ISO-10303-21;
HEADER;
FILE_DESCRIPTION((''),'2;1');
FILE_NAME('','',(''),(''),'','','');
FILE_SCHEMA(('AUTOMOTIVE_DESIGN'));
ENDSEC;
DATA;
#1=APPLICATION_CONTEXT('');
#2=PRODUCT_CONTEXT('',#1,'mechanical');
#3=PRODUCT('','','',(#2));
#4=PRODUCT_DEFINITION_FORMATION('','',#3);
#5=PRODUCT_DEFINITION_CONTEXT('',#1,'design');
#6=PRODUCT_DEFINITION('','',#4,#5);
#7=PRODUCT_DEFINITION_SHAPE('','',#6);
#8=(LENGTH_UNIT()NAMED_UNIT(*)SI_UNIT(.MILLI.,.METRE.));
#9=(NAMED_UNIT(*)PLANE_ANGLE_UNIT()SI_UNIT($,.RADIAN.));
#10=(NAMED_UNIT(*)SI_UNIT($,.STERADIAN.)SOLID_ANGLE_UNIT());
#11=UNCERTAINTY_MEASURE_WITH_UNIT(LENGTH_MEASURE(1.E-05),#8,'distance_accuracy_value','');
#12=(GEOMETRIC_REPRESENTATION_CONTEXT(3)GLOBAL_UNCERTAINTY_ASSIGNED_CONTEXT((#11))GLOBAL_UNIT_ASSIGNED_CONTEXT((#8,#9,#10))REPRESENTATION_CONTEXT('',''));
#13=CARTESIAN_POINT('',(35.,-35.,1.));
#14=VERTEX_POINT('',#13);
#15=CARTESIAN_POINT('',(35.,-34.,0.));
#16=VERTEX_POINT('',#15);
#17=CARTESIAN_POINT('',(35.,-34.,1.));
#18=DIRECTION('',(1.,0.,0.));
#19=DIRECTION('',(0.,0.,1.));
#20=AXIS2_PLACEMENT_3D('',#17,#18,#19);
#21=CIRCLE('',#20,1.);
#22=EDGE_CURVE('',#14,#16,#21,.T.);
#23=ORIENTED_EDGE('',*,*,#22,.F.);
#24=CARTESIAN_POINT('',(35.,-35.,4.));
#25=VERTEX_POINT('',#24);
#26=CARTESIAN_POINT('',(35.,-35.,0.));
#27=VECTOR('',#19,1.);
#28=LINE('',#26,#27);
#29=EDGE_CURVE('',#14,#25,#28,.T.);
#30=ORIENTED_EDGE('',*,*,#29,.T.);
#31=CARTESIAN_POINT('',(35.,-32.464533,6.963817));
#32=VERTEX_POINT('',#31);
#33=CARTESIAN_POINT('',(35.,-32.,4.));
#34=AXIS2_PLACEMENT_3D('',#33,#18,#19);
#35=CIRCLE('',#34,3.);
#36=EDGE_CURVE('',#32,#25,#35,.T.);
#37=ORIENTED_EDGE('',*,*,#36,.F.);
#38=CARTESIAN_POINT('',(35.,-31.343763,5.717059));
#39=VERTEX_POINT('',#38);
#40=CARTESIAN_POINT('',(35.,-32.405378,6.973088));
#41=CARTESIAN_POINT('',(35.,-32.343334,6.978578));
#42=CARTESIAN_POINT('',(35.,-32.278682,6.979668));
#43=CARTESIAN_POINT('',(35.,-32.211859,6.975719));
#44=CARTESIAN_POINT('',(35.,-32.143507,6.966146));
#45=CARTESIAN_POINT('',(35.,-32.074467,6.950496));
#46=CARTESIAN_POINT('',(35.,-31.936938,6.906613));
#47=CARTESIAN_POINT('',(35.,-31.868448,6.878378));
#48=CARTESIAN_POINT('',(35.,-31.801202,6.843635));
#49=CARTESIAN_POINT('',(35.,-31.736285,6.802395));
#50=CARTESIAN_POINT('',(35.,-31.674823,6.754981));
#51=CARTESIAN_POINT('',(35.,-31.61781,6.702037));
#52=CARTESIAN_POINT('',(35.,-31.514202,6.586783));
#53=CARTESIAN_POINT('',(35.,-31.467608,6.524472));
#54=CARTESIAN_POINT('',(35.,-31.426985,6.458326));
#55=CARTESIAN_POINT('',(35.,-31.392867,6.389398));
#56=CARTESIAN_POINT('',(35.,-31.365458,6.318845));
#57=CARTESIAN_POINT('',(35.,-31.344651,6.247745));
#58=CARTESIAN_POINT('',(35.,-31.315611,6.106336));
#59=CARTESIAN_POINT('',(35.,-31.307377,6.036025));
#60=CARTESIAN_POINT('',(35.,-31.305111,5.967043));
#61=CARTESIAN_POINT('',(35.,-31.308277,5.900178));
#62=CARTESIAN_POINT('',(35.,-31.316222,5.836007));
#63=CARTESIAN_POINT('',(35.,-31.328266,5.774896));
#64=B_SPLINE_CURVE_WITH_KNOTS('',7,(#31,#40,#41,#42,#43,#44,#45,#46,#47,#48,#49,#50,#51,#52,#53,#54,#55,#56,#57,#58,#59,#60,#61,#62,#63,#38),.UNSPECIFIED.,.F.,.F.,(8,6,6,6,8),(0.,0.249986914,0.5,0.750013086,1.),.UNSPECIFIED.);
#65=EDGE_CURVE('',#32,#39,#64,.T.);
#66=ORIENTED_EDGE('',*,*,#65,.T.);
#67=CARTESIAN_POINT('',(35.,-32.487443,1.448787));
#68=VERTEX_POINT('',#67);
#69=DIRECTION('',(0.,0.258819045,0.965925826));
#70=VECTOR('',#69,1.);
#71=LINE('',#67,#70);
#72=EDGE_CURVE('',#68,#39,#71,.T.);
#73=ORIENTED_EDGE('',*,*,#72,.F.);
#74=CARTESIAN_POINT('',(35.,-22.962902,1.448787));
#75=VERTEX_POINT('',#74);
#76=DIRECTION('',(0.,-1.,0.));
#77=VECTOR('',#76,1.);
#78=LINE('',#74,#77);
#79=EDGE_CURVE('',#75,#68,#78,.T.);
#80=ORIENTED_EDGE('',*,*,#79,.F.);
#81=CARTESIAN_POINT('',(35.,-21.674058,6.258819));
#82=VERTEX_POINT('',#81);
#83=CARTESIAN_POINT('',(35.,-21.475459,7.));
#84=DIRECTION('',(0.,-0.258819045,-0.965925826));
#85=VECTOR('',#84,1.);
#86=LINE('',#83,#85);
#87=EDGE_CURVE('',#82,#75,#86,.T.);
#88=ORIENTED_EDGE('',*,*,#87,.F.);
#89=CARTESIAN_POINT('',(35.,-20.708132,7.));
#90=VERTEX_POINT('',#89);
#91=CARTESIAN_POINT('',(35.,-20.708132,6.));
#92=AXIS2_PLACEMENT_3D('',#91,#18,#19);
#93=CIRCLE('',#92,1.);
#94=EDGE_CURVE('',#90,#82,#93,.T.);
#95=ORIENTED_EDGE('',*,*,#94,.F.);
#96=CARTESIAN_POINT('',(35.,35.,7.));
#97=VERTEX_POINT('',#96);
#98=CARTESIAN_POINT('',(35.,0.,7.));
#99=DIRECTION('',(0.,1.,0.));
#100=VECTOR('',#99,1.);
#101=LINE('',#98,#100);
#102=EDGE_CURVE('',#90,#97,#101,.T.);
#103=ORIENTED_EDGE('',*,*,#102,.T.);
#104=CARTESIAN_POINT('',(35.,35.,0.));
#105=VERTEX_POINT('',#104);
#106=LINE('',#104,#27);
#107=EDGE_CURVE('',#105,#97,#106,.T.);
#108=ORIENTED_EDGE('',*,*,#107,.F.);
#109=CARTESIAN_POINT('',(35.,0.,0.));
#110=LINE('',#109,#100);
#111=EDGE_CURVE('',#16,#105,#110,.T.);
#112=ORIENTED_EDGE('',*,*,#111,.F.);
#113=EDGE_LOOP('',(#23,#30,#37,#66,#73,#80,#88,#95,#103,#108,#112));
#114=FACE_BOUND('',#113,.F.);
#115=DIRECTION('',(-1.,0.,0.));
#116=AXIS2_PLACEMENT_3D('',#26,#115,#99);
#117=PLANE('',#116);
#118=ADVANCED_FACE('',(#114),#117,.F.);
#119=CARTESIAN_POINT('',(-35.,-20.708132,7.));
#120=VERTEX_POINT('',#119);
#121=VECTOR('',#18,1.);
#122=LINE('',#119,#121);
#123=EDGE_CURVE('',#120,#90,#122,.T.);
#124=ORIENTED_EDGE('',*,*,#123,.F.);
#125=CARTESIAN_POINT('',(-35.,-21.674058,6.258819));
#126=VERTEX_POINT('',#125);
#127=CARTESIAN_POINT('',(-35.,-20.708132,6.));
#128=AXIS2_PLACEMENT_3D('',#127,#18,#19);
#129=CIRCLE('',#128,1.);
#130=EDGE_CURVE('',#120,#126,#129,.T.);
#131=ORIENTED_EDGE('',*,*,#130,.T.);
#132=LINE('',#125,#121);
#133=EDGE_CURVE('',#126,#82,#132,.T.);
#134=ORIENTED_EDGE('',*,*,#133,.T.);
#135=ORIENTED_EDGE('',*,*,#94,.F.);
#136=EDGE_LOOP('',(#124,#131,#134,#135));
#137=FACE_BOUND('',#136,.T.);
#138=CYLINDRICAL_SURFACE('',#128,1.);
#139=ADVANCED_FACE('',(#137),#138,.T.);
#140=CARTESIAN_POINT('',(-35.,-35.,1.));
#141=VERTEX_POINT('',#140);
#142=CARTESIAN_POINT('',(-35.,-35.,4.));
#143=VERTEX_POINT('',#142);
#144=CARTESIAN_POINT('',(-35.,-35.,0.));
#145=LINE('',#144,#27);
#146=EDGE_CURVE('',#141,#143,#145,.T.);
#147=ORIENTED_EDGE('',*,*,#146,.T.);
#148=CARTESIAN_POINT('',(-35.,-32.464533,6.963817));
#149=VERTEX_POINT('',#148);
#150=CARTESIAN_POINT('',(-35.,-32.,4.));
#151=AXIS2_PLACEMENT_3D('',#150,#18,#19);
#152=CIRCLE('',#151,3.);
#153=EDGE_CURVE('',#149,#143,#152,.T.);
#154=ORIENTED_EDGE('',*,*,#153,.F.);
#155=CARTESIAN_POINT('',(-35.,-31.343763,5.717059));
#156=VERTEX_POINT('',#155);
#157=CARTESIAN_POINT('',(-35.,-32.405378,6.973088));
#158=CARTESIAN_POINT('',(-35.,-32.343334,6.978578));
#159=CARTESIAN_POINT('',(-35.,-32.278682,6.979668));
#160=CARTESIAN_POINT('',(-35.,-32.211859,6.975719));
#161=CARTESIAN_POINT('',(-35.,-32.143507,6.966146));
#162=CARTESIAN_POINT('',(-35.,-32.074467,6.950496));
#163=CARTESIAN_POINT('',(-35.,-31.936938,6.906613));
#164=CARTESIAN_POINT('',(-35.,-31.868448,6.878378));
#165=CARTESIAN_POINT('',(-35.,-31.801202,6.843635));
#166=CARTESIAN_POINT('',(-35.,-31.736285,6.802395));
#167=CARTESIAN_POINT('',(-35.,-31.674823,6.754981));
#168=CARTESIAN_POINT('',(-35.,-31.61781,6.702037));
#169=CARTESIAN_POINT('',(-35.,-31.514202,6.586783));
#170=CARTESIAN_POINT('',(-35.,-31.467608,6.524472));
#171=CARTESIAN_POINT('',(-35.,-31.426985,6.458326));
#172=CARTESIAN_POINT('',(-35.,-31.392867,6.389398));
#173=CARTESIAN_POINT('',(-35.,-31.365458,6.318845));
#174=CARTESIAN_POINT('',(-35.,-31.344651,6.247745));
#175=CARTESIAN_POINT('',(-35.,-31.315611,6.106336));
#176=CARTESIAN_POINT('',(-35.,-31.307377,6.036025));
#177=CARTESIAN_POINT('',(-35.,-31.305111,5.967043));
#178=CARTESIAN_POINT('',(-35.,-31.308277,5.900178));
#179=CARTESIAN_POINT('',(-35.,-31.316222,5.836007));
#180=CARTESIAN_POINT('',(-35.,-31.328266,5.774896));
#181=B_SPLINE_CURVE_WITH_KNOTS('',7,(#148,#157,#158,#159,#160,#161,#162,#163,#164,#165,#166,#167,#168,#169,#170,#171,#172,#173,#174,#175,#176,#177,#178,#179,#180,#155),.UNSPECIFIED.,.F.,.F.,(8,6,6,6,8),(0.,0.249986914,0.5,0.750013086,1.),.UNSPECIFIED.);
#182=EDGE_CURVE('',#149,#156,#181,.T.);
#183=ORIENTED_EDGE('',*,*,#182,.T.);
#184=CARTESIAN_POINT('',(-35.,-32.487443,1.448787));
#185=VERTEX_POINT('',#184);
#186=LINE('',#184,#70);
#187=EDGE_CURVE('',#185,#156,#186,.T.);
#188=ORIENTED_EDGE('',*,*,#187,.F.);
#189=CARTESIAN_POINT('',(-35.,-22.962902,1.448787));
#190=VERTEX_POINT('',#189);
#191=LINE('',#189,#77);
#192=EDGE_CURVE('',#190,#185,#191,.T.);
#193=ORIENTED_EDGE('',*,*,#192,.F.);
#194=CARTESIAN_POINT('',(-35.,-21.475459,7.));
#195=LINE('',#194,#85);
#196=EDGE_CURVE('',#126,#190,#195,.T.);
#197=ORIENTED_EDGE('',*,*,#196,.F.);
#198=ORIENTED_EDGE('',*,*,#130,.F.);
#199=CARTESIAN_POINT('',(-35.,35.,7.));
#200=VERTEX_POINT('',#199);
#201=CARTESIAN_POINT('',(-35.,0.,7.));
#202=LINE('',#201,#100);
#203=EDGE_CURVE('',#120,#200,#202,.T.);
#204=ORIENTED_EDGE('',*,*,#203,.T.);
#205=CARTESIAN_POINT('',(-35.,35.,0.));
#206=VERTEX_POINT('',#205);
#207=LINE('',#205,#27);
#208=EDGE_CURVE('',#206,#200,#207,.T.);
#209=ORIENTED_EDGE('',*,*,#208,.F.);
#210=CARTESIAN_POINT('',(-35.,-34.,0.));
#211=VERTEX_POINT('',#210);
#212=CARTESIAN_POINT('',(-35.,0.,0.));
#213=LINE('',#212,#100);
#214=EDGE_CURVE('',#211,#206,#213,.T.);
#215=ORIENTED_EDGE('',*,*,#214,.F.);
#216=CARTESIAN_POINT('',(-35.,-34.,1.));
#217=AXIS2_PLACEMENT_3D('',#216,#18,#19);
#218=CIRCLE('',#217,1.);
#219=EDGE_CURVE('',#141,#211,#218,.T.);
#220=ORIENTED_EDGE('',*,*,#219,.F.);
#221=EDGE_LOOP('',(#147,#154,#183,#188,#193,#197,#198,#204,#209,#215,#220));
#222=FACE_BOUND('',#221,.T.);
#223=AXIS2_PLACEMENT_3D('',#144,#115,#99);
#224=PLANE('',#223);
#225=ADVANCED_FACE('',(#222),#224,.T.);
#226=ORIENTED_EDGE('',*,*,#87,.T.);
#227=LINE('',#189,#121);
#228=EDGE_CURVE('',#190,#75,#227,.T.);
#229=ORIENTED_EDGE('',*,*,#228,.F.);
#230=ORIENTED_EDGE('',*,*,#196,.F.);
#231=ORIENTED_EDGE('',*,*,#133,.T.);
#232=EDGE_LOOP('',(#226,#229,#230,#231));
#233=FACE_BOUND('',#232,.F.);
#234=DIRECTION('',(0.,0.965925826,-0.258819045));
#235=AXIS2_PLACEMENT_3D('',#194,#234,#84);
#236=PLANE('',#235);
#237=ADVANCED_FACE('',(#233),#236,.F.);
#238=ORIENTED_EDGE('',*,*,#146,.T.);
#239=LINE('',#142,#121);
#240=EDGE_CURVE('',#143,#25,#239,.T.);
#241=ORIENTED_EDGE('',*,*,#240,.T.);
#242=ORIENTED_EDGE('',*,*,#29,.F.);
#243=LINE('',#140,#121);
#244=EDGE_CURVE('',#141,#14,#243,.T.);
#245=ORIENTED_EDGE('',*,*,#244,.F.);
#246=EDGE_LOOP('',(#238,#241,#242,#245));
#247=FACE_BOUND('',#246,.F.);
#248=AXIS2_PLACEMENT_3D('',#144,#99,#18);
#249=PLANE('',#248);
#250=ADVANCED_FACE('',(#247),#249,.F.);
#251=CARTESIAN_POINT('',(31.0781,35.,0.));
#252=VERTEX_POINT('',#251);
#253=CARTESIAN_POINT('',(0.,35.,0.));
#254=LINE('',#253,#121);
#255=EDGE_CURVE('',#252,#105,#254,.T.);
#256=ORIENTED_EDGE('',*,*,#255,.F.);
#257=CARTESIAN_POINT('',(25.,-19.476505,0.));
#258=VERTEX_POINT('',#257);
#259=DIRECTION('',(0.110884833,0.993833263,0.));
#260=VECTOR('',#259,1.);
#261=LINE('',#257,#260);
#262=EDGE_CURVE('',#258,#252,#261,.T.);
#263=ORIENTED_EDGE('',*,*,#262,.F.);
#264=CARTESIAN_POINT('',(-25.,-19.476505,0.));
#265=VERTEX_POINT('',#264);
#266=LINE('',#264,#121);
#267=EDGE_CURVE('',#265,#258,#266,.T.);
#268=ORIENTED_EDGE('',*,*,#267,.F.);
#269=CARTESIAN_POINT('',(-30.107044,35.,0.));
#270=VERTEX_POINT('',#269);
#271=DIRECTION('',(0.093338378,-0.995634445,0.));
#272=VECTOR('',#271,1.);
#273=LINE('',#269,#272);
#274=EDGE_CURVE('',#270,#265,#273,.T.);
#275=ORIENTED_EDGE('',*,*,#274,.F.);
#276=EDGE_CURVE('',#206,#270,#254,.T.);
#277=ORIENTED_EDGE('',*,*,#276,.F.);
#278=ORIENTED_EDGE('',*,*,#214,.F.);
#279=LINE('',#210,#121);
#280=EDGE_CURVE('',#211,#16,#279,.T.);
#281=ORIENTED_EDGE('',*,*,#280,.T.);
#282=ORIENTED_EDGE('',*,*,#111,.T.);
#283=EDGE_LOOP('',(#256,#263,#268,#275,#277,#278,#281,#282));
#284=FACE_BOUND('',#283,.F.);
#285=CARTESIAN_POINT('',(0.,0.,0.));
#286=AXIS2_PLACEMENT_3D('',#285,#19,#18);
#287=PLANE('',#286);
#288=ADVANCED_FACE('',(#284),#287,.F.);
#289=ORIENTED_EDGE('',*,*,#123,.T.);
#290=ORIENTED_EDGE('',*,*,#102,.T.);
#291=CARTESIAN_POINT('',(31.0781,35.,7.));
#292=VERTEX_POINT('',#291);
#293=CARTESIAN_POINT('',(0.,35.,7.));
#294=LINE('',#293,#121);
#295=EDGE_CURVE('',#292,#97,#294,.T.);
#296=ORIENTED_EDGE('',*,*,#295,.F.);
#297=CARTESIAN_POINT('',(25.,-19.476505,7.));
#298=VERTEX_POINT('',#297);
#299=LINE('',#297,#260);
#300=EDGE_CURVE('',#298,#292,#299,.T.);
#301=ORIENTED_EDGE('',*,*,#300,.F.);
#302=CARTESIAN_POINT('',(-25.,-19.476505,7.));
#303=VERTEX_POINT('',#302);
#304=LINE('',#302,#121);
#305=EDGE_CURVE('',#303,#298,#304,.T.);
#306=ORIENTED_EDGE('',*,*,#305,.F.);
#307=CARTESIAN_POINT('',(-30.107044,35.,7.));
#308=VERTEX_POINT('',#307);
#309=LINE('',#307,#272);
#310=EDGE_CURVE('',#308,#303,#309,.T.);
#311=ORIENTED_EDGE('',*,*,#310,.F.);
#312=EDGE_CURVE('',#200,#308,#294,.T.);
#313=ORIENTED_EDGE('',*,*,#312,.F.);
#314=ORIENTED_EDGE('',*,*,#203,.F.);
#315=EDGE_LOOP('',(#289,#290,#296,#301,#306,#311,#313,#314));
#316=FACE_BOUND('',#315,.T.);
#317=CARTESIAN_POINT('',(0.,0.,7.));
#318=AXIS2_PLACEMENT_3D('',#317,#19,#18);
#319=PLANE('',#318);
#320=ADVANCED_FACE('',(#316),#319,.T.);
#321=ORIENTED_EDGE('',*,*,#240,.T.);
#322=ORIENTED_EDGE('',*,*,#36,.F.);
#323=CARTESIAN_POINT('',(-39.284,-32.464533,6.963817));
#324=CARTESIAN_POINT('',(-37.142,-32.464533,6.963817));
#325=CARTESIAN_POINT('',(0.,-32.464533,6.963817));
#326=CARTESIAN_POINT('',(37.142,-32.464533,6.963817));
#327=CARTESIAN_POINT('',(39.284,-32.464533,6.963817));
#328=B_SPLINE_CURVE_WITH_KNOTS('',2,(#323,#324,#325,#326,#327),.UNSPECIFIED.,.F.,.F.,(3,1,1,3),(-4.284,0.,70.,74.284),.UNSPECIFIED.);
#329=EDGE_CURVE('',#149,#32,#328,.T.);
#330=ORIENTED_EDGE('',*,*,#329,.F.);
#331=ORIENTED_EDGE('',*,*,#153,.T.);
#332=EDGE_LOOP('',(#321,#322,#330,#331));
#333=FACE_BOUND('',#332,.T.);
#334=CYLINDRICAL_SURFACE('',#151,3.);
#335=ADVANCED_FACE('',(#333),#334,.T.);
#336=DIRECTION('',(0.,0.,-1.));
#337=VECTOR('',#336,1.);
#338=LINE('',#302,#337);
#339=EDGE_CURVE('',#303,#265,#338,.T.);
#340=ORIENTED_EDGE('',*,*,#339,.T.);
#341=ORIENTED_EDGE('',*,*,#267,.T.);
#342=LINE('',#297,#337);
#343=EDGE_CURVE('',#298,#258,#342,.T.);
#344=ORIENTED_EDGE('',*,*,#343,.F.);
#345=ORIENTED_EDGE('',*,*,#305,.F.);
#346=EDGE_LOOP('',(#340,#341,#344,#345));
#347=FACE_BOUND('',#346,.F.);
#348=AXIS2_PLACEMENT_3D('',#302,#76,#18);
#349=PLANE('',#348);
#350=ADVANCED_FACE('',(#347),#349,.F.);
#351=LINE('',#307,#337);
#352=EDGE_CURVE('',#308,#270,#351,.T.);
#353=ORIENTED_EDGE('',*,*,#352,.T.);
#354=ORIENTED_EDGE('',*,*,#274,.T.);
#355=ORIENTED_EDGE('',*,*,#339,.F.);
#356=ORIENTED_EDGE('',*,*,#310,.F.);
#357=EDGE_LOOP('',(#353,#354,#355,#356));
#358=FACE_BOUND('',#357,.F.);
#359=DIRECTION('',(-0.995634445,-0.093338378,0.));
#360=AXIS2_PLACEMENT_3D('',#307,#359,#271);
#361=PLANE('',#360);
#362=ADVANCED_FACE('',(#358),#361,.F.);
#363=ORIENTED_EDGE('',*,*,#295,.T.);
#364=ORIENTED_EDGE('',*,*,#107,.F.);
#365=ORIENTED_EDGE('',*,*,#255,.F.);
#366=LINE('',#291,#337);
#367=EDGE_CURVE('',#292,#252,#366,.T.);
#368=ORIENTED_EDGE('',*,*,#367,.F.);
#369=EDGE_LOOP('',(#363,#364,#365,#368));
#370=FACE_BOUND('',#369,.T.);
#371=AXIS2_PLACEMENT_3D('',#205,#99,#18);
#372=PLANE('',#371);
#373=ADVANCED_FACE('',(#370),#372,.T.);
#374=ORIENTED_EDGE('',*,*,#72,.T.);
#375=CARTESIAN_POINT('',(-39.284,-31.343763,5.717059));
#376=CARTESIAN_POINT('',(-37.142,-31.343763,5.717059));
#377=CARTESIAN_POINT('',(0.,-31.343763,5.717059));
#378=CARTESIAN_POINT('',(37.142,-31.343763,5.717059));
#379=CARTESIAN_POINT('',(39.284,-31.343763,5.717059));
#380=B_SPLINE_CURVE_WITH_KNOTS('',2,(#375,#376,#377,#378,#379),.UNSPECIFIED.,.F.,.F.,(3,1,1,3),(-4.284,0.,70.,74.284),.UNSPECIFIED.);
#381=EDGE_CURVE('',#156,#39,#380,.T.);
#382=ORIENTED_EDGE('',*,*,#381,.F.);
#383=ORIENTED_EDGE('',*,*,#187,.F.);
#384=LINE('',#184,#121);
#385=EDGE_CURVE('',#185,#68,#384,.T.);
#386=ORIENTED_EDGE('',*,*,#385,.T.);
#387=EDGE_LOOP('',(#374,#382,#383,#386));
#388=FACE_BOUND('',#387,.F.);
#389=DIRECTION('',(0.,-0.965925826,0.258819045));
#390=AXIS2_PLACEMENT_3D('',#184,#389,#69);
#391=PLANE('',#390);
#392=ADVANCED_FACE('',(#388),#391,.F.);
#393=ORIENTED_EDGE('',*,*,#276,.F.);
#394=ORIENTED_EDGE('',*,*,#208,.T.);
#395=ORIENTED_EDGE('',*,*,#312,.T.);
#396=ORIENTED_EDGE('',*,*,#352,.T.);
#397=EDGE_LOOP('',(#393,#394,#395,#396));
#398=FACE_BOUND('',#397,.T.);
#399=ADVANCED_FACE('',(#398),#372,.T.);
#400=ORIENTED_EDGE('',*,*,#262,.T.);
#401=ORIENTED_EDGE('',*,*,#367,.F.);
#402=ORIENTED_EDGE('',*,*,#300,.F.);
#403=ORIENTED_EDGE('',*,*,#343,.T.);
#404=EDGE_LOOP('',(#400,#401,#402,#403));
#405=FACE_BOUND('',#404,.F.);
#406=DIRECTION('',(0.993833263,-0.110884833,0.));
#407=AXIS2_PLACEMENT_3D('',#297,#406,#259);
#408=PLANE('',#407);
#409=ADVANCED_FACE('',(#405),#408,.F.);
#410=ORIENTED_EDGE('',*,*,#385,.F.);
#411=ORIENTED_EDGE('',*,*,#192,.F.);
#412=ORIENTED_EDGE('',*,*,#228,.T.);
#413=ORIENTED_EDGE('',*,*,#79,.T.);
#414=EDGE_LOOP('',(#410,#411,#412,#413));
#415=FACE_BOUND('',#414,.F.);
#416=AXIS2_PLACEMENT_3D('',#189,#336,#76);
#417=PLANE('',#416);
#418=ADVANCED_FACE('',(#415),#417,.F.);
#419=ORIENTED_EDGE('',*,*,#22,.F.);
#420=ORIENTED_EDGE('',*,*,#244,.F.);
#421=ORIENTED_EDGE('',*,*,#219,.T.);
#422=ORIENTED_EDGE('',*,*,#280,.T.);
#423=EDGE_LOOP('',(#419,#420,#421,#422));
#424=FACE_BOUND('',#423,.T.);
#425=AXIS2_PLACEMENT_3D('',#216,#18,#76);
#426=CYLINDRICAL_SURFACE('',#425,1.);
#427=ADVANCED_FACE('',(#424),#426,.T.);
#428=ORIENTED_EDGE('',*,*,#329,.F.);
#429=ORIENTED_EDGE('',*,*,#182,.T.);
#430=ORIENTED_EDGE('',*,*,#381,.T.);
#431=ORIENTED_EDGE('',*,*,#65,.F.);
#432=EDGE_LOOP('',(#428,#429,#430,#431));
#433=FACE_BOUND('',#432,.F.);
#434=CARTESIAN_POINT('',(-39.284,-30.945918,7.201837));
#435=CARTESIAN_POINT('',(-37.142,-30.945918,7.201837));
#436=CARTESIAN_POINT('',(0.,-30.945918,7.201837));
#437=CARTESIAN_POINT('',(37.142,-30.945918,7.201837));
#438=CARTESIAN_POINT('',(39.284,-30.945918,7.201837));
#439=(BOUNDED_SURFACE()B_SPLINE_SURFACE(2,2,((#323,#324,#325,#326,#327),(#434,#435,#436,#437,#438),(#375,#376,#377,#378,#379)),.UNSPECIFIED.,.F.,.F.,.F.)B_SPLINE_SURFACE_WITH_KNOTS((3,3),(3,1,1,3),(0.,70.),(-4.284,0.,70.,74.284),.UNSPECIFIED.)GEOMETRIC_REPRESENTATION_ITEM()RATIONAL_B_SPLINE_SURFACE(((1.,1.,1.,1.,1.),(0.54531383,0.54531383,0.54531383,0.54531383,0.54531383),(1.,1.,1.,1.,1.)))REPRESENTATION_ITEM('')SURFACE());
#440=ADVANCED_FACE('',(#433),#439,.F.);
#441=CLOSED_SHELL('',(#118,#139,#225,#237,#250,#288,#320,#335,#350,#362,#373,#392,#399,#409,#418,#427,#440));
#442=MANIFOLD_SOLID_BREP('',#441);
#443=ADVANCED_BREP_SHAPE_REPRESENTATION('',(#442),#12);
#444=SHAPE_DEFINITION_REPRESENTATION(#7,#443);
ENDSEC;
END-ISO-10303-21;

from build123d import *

# Parameters (mm, degrees)
F0_W     = 70
F0_H     = 70
F1_DEPTH = 7
F3_DEPTH = 70
F4_R     = 3
F5_R     = 1
F6_R     = 1
F8_DEPTH = 7


with BuildPart() as f1:
    # F0 (on Top) → F1 (new body)
    with BuildSketch(Plane.XY):
        Rectangle(F0_W, F0_H)
    extrude(amount=F1_DEPTH)

    # F2 (on face) → F3 (cut, through all)
    with BuildSketch(Plane(origin=(-35, 0, 0), x_dir=(0, -1, 0), z_dir=(-1, 0, 0))):
        Polygon((31, 7), (21.4754591402, 7), (22.9629022167, 1.4487868654), (32.4874430764, 1.4487868654), align=None)
    extrude(amount=-F3_DEPTH, mode=Mode.SUBTRACT)

    # F4
    f4_edges = [f1.edges().sort_by_distance(p)[0] for p in [
        (0, -35, 7),
    ]]
    fillet(f4_edges, radius=F4_R)

    # F5
    f5_edges = [f1.edges().sort_by_distance(p)[0] for p in [
        (0, -35, 0),
    ]]
    fillet(f5_edges, radius=F5_R)

    # F6
    f6_edges = [f1.edges().sort_by_distance(p)[0] for p in [
        (0, -21.475459, 7),
        (0, -31, 7),
    ]]
    fillet(f6_edges, radius=F6_R)

    # F7 (on face) → F8 (cut, through all)
    with BuildSketch(Plane.XY.offset(7)):
        Polygon((-25, -19.4765049964), (25, -19.4765049964), (31.0781002045, 35), (26.0781002045, 35), (-25.1070436835, 35), (-30.1070436835, 35), align=None)
    extrude(amount=-F8_DEPTH, mode=Mode.SUBTRACT)


solid = f1.part
